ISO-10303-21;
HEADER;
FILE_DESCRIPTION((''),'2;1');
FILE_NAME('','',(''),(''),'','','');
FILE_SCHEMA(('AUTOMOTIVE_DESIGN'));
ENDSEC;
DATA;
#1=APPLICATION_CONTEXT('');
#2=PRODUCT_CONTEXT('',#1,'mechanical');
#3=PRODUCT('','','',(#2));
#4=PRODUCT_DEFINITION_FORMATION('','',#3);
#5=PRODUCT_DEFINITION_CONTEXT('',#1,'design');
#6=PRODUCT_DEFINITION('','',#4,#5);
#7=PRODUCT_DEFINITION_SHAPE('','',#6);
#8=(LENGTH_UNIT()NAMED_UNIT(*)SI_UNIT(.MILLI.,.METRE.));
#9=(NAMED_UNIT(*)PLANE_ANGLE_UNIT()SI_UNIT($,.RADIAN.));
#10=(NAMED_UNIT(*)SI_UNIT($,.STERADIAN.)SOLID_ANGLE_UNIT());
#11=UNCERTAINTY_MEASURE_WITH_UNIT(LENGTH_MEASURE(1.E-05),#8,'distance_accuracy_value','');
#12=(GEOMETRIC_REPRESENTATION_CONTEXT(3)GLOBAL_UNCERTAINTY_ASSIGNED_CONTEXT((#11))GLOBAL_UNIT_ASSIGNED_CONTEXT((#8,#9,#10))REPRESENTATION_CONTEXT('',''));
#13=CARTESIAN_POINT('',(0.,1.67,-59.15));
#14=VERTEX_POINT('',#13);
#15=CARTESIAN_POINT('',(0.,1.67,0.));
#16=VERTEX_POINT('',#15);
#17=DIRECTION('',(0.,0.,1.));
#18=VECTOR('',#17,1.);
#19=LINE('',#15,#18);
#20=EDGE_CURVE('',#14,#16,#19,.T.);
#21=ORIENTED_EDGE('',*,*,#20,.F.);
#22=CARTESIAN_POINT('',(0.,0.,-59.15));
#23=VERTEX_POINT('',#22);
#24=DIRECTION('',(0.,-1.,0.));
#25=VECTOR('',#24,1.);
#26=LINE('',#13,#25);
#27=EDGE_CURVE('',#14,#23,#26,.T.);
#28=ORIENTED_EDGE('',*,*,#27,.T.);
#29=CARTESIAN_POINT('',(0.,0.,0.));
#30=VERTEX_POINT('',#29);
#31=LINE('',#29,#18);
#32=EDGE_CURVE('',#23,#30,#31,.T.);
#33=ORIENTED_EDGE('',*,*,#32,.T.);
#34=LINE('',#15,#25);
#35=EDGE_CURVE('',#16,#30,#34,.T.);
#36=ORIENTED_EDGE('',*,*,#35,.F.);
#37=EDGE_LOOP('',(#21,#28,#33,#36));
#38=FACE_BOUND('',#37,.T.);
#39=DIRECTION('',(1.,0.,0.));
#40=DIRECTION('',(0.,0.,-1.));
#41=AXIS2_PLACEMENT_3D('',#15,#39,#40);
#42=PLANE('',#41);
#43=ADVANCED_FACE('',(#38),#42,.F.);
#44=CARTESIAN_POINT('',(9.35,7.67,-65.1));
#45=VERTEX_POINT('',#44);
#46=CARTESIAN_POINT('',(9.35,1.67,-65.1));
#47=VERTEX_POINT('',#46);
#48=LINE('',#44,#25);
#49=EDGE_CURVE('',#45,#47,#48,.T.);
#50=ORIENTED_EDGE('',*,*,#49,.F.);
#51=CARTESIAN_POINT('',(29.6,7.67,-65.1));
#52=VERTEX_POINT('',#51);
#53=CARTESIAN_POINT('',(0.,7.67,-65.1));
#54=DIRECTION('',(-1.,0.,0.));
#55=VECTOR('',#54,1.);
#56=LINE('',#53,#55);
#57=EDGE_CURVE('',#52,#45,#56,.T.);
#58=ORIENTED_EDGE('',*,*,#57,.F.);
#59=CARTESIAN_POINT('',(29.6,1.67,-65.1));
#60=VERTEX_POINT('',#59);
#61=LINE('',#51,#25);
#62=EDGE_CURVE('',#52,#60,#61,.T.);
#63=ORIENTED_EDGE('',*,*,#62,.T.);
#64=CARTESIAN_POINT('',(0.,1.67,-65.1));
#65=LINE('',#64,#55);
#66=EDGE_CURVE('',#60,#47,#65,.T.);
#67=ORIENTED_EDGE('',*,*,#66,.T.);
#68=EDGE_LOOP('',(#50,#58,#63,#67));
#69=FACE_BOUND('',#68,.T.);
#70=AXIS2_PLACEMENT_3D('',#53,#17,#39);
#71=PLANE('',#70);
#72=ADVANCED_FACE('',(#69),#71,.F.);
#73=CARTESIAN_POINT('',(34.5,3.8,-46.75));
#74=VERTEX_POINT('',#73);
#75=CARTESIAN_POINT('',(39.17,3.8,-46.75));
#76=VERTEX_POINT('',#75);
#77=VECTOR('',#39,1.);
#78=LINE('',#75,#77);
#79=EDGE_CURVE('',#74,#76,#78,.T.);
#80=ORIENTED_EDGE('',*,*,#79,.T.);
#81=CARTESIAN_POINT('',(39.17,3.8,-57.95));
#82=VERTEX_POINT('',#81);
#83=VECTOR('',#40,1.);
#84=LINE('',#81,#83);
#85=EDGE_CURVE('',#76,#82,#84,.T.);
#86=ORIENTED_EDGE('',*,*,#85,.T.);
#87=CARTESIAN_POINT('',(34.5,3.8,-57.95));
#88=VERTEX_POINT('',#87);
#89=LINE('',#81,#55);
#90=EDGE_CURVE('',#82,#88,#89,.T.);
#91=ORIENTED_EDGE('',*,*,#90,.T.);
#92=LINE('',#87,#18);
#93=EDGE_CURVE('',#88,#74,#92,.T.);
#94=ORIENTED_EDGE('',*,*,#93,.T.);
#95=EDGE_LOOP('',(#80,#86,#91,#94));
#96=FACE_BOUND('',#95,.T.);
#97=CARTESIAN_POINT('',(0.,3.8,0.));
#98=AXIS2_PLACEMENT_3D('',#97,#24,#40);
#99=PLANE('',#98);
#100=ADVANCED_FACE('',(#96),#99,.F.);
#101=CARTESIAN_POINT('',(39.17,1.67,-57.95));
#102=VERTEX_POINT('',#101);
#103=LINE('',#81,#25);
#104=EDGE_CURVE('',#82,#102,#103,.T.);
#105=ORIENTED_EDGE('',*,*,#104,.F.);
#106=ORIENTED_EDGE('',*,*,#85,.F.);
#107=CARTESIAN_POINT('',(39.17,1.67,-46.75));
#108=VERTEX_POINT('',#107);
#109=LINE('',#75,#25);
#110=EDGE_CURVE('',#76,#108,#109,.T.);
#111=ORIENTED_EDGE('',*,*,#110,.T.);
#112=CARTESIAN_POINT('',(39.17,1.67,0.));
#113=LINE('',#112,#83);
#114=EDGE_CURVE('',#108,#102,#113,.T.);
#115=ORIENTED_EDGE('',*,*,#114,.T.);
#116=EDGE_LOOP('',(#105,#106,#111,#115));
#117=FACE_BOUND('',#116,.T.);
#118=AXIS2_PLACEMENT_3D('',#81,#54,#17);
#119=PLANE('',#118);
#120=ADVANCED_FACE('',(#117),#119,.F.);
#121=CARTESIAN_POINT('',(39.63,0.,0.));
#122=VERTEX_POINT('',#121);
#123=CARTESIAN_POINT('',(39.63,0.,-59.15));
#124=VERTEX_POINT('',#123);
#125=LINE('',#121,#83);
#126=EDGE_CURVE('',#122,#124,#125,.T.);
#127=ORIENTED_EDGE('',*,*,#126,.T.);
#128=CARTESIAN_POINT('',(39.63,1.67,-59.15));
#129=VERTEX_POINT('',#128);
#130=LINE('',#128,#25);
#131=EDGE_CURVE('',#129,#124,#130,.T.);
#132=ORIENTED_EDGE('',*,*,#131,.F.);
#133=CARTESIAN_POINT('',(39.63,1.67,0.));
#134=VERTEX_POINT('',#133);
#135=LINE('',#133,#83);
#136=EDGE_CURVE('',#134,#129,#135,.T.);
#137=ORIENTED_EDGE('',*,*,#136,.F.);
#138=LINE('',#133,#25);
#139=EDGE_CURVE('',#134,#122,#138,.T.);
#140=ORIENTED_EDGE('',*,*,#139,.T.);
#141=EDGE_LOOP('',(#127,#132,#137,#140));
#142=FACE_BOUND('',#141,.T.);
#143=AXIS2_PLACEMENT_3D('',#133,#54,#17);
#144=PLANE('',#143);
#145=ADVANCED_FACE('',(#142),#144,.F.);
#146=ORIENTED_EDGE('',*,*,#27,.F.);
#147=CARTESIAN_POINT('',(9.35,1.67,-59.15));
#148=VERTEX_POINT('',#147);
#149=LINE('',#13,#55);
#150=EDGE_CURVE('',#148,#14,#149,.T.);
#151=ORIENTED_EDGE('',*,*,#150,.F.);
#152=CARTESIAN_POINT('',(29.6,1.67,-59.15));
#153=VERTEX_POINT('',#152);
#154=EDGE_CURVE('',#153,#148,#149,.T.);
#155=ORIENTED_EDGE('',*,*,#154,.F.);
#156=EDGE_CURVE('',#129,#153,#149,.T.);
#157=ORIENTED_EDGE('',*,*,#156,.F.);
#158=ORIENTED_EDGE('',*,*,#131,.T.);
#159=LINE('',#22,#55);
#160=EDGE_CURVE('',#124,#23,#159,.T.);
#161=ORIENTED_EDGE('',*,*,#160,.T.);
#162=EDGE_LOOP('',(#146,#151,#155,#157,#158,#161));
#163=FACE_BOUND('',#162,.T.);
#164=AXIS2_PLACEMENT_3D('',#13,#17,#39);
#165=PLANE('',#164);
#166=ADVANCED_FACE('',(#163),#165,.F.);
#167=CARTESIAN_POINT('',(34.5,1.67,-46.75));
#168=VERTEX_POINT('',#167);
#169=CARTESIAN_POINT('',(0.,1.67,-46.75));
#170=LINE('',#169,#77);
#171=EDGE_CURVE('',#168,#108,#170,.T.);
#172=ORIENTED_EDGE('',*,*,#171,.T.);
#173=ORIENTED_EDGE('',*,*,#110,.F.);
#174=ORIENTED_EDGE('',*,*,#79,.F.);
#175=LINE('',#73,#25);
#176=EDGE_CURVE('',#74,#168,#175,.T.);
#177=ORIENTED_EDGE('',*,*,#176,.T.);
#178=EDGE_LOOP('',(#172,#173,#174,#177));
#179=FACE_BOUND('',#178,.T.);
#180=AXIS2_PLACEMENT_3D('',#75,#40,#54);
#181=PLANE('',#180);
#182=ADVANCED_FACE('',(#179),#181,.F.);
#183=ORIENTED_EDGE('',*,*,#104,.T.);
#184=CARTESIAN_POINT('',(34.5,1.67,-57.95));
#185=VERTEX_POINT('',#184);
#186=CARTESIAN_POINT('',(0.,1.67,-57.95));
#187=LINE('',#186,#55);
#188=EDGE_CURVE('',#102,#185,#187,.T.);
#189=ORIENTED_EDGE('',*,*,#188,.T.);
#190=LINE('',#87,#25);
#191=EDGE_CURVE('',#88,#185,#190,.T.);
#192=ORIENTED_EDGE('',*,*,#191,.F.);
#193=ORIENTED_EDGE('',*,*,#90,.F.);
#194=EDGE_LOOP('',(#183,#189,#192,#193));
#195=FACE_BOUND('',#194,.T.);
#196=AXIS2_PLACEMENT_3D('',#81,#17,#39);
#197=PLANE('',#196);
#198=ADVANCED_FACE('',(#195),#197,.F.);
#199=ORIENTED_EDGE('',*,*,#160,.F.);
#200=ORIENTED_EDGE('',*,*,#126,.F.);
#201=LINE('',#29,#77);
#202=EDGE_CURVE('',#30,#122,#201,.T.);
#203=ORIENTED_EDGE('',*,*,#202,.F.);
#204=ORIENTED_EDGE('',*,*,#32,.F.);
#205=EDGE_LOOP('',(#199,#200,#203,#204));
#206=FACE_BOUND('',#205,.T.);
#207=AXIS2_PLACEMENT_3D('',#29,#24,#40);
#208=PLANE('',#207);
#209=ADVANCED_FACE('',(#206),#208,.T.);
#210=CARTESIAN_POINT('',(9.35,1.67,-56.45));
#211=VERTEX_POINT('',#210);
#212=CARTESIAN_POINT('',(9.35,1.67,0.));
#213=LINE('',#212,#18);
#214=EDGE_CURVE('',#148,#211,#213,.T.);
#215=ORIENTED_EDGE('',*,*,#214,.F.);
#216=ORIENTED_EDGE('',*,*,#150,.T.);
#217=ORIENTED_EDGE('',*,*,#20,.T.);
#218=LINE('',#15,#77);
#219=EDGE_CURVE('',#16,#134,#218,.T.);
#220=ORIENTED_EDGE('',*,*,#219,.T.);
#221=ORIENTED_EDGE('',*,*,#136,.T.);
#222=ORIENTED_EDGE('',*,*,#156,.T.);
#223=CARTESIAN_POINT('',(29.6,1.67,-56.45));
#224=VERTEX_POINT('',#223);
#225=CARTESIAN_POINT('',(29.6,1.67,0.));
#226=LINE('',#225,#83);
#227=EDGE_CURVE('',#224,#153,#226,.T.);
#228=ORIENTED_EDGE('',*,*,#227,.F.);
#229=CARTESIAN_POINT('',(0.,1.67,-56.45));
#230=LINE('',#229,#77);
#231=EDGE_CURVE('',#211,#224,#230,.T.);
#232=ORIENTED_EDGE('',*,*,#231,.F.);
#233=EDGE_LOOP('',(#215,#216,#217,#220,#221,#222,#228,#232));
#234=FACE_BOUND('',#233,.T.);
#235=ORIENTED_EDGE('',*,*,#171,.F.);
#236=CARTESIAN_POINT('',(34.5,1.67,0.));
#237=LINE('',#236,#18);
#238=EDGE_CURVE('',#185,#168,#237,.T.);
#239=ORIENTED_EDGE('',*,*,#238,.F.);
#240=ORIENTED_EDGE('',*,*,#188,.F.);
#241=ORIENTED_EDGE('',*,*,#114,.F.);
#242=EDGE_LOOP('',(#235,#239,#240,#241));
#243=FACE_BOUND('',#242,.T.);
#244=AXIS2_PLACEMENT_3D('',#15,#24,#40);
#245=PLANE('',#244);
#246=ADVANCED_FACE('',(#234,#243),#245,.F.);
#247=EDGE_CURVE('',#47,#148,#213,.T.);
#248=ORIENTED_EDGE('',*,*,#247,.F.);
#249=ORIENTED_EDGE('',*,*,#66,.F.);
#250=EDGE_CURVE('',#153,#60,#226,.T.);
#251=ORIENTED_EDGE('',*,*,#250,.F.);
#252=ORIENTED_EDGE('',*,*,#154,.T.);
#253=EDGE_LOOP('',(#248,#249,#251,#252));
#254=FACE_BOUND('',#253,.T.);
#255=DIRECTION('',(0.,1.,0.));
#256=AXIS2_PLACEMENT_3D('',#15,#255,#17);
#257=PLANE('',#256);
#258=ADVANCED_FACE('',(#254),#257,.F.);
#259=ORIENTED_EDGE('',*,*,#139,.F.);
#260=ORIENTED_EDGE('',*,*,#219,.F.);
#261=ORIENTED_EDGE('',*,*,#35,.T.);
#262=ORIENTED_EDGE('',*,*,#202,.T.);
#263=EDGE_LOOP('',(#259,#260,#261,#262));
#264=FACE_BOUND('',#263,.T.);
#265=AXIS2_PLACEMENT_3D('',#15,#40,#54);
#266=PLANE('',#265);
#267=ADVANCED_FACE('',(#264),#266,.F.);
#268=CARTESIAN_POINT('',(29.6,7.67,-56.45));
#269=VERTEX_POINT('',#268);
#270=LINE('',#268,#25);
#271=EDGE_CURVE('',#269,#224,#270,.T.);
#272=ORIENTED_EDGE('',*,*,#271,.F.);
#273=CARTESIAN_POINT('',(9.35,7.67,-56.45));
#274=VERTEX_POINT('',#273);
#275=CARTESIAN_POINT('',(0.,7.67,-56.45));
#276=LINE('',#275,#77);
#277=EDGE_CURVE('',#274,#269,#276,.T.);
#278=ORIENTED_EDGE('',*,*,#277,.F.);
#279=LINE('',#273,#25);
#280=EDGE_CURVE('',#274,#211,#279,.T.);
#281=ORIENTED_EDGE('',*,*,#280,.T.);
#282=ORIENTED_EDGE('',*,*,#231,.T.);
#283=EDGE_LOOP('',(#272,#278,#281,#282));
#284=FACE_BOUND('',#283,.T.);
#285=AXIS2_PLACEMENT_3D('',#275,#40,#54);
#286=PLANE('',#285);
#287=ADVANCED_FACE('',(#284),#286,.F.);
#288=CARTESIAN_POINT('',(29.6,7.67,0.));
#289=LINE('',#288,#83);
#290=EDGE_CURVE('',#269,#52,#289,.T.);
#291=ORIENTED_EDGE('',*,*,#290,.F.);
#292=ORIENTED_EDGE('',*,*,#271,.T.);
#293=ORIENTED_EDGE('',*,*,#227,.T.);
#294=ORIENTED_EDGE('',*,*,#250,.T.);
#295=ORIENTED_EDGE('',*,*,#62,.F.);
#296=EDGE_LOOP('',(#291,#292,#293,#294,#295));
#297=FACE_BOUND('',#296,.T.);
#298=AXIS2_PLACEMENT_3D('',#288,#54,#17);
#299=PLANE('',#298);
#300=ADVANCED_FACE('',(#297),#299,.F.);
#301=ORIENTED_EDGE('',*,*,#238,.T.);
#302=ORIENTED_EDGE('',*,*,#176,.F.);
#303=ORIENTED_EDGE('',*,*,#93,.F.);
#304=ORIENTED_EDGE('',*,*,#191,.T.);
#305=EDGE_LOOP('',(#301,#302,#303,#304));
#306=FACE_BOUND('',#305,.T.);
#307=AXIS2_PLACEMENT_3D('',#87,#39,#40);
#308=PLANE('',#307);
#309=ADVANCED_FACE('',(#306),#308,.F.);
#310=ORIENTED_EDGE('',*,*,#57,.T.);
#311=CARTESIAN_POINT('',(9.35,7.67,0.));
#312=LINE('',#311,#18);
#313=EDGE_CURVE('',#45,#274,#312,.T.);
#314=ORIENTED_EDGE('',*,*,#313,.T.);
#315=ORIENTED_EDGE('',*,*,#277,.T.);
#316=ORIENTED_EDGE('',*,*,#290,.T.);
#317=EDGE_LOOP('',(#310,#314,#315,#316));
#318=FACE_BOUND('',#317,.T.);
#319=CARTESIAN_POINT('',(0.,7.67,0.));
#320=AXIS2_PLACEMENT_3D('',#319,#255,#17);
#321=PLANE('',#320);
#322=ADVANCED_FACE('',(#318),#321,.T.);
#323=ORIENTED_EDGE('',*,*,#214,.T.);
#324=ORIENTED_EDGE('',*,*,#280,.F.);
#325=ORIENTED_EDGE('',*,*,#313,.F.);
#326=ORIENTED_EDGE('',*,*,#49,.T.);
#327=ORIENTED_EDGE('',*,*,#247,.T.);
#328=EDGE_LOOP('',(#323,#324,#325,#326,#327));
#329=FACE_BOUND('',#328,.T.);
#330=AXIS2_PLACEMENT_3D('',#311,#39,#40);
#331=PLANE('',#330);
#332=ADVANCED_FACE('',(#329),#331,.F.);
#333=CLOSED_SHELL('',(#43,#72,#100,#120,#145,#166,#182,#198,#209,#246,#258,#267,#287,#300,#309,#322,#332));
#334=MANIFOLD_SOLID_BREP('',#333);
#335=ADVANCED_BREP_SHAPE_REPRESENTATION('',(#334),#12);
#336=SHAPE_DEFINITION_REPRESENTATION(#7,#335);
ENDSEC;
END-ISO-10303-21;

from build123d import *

# Parameters (mm, degrees)
SKETCH1_W           = 39.63
SKETCH1_H           = 59.15
BOSS_EXTRUDE1_DEPTH = 1.67
BOSS_EXTRUDE2_START = 1.67
SKETCH2_W           = 20.25
SKETCH2_H           = 8.65
BOSS_EXTRUDE2_DEPTH = 6
SKETCH3_W           = 4.67
SKETCH3_H           = 11.2
BOSS_EXTRUDE3_DEPTH = 3.8


with BuildPart() as part:
    # Sketch1 → Boss-Extrude1 (new body)
    with BuildSketch(Plane(origin=(0, 0, 0), x_dir=(1, 0, 0), z_dir=(0, 1, 0))):
        with Locations((19.815, 29.575)):
            Rectangle(SKETCH1_W, SKETCH1_H)
    extrude(amount=BOSS_EXTRUDE1_DEPTH)

    # Sketch2 → Boss-Extrude2 (add)
    with BuildSketch(Plane(origin=(0, 0, 0), x_dir=(1, 0, 0), z_dir=(0, 1, 0)).offset(BOSS_EXTRUDE2_START)):
        with Locations((19.475, 60.775)):
            Rectangle(SKETCH2_W, SKETCH2_H)
    extrude(amount=BOSS_EXTRUDE2_DEPTH)

    # Sketch3 → Boss-Extrude3 (add)
    with BuildSketch(Plane(origin=(0, 0, 0), x_dir=(1, 0, 0), z_dir=(0, 1, 0))):
        with Locations((36.835, 52.35)):
            Rectangle(SKETCH3_W, SKETCH3_H)
    extrude(amount=BOSS_EXTRUDE3_DEPTH)


solid = part.part
